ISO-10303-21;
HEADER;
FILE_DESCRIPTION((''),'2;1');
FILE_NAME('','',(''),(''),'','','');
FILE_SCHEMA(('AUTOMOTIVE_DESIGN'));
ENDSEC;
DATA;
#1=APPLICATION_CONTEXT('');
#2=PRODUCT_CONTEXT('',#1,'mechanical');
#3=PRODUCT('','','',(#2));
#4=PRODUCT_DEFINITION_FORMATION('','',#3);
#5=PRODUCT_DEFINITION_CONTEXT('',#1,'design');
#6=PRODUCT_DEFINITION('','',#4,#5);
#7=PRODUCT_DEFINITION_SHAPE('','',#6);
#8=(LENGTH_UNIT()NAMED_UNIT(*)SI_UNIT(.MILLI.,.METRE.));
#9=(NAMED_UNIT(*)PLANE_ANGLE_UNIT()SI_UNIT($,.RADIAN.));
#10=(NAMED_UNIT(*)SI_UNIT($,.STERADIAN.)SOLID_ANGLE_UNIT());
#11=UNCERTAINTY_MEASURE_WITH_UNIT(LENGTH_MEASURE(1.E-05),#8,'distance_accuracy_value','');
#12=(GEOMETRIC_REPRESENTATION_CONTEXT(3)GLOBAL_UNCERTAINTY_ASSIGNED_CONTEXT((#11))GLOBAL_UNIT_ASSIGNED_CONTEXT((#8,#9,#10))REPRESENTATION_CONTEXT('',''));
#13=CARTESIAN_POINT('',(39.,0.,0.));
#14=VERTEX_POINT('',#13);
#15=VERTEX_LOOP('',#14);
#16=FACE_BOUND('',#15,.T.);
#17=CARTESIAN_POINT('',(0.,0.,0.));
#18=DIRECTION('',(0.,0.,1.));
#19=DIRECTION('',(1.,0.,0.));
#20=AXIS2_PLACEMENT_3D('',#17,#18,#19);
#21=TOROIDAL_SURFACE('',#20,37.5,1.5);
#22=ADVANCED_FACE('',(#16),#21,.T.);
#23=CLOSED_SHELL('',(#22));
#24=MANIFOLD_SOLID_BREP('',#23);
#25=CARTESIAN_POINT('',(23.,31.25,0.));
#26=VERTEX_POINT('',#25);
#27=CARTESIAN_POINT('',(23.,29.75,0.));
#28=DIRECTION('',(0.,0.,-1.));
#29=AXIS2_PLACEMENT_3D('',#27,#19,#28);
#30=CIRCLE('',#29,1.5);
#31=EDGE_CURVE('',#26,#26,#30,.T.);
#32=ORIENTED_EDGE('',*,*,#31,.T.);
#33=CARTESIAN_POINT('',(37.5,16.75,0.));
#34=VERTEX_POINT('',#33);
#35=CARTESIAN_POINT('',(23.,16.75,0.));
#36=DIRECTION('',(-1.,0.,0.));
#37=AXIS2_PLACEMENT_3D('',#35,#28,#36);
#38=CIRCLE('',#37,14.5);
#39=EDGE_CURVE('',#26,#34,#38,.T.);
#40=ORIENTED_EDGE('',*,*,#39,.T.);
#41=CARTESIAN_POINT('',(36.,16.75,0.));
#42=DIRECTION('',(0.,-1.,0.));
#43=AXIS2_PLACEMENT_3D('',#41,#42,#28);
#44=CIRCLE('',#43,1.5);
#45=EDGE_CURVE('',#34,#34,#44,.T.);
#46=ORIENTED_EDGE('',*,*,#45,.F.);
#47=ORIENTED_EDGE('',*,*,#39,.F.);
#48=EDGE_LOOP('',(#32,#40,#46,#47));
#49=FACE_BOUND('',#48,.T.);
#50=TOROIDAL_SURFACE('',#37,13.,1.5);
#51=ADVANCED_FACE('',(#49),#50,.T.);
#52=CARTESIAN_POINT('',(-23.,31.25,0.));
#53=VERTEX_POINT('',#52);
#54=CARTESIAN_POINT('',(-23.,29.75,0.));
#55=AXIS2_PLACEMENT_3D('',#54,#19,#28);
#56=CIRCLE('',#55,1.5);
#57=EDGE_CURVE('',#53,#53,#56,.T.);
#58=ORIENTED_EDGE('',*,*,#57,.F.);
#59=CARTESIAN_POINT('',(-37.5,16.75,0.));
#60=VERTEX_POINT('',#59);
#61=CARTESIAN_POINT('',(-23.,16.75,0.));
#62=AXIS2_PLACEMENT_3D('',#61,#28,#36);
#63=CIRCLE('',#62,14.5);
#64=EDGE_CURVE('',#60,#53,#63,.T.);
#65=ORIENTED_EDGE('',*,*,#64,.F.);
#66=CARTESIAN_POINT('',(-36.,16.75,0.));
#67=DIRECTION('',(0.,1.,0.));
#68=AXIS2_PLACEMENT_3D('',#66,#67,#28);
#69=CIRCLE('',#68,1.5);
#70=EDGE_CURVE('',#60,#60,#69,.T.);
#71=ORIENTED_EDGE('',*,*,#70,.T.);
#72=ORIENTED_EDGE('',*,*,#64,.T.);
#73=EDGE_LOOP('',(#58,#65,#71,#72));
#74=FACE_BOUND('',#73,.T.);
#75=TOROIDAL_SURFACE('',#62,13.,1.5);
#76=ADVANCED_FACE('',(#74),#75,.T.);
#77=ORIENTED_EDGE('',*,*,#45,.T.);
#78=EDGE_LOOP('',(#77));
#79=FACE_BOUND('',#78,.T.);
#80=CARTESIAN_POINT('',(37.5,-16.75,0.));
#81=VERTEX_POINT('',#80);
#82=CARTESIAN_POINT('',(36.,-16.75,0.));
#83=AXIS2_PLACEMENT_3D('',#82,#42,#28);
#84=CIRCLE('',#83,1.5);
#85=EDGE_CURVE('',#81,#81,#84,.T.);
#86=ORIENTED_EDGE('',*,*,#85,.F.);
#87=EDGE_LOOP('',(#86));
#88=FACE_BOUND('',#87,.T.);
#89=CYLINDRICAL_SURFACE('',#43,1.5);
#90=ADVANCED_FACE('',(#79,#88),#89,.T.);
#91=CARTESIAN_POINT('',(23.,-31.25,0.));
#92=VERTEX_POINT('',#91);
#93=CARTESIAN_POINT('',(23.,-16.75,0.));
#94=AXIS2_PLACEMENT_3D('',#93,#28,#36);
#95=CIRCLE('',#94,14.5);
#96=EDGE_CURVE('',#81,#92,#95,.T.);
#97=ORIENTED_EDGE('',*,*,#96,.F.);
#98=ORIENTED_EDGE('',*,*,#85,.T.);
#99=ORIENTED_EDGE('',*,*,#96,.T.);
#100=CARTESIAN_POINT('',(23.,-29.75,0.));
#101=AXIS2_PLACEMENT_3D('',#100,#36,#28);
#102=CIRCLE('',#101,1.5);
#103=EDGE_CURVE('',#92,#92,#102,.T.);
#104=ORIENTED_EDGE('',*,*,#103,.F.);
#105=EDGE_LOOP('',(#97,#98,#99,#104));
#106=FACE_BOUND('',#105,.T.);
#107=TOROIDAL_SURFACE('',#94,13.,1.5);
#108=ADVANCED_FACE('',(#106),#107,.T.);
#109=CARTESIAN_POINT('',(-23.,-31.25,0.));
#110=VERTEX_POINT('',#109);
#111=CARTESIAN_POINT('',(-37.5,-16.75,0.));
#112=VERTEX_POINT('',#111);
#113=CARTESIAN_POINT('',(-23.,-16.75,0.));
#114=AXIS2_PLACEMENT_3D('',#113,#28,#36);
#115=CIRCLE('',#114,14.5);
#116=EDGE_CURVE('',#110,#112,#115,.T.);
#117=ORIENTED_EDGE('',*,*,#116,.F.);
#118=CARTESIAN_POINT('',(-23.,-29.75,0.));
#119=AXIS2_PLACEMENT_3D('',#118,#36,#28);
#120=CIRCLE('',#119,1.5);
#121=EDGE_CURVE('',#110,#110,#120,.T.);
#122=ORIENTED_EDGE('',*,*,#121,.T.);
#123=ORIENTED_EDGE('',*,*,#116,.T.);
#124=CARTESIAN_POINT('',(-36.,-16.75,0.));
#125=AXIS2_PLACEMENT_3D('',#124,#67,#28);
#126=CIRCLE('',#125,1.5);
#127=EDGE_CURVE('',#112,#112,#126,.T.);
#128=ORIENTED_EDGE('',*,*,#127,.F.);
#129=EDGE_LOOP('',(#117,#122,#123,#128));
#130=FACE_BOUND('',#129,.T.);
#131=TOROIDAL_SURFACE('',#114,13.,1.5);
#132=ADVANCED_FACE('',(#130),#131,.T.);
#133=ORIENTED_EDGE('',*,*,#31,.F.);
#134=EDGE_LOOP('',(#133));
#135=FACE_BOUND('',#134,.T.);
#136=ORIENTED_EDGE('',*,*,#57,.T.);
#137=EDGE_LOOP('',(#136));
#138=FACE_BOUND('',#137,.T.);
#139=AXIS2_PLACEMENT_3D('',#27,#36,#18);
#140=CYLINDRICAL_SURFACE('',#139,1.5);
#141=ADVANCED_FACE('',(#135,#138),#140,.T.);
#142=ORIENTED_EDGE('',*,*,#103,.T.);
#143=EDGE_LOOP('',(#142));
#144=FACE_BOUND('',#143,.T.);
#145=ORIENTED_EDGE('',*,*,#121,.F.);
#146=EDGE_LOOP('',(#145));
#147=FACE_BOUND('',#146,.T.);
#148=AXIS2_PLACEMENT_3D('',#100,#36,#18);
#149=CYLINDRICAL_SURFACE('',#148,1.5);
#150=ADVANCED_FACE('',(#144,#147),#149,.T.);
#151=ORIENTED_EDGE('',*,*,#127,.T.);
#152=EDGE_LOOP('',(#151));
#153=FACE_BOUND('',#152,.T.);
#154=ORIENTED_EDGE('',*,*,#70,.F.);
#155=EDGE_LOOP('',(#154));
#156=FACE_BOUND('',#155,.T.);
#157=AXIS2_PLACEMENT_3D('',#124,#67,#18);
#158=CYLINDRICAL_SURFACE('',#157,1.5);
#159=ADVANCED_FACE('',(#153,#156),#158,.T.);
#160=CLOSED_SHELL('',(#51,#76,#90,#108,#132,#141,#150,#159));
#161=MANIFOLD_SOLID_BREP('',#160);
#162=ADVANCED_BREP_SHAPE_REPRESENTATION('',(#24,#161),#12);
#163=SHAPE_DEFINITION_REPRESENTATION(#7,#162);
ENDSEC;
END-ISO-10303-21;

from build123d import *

# Parameters (mm, degrees)
SKETCH1_R = 1.5
SKETCH3_R = 1.5


with BuildPart() as part:
    # Sketch1 → Revolve1 (revolve)
    with BuildSketch(Plane(origin=(0, 0, 0), x_dir=(0, 0, -1), z_dir=(1, 0, 0)), mode=Mode.PRIVATE) as revolve1_sk:
        with Locations((0, 37.5)):
            Circle(SKETCH1_R)
    revolve(revolve1_sk.sketch.rotate(Axis((0, 0, 0), (0, 0, -1)), 90), axis=Axis((0, 0, 0), (0, 0, -1)))


with BuildPart() as body_2:
    # Sweep1: sweep along a path in Sketch2
    with BuildLine(Plane.XY) as sweep1_path:
        Line((-23, 29.75), (23, 29.75))
        ThreePointArc((23, 29.75), (32.192388155, 25.942388155), (36, 16.75))
        Line((36, 16.75), (36, -16.75))
        ThreePointArc((36, -16.75), (32.192388155, -25.942388155), (23, -29.75))
        Line((23, -29.75), (-23, -29.75))
        ThreePointArc((-23, -29.75), (-32.192388155, -25.942388155), (-36, -16.75))
        Line((-36, -16.75), (-36, 16.75))
        ThreePointArc((-36, 16.75), (-32.192388155, 25.942388155), (-23, 29.75))
    # Sketch3 → Sweep1 (sweep)
    with BuildSketch(Plane(origin=(0, 0, 0), x_dir=(0, 0, -1), z_dir=(1, 0, 0))):
        with Locations((0, 29.75)):
            Circle(SKETCH3_R)
    sweep(path=sweep1_path.line)


solid = Compound([part.part, body_2.part])
